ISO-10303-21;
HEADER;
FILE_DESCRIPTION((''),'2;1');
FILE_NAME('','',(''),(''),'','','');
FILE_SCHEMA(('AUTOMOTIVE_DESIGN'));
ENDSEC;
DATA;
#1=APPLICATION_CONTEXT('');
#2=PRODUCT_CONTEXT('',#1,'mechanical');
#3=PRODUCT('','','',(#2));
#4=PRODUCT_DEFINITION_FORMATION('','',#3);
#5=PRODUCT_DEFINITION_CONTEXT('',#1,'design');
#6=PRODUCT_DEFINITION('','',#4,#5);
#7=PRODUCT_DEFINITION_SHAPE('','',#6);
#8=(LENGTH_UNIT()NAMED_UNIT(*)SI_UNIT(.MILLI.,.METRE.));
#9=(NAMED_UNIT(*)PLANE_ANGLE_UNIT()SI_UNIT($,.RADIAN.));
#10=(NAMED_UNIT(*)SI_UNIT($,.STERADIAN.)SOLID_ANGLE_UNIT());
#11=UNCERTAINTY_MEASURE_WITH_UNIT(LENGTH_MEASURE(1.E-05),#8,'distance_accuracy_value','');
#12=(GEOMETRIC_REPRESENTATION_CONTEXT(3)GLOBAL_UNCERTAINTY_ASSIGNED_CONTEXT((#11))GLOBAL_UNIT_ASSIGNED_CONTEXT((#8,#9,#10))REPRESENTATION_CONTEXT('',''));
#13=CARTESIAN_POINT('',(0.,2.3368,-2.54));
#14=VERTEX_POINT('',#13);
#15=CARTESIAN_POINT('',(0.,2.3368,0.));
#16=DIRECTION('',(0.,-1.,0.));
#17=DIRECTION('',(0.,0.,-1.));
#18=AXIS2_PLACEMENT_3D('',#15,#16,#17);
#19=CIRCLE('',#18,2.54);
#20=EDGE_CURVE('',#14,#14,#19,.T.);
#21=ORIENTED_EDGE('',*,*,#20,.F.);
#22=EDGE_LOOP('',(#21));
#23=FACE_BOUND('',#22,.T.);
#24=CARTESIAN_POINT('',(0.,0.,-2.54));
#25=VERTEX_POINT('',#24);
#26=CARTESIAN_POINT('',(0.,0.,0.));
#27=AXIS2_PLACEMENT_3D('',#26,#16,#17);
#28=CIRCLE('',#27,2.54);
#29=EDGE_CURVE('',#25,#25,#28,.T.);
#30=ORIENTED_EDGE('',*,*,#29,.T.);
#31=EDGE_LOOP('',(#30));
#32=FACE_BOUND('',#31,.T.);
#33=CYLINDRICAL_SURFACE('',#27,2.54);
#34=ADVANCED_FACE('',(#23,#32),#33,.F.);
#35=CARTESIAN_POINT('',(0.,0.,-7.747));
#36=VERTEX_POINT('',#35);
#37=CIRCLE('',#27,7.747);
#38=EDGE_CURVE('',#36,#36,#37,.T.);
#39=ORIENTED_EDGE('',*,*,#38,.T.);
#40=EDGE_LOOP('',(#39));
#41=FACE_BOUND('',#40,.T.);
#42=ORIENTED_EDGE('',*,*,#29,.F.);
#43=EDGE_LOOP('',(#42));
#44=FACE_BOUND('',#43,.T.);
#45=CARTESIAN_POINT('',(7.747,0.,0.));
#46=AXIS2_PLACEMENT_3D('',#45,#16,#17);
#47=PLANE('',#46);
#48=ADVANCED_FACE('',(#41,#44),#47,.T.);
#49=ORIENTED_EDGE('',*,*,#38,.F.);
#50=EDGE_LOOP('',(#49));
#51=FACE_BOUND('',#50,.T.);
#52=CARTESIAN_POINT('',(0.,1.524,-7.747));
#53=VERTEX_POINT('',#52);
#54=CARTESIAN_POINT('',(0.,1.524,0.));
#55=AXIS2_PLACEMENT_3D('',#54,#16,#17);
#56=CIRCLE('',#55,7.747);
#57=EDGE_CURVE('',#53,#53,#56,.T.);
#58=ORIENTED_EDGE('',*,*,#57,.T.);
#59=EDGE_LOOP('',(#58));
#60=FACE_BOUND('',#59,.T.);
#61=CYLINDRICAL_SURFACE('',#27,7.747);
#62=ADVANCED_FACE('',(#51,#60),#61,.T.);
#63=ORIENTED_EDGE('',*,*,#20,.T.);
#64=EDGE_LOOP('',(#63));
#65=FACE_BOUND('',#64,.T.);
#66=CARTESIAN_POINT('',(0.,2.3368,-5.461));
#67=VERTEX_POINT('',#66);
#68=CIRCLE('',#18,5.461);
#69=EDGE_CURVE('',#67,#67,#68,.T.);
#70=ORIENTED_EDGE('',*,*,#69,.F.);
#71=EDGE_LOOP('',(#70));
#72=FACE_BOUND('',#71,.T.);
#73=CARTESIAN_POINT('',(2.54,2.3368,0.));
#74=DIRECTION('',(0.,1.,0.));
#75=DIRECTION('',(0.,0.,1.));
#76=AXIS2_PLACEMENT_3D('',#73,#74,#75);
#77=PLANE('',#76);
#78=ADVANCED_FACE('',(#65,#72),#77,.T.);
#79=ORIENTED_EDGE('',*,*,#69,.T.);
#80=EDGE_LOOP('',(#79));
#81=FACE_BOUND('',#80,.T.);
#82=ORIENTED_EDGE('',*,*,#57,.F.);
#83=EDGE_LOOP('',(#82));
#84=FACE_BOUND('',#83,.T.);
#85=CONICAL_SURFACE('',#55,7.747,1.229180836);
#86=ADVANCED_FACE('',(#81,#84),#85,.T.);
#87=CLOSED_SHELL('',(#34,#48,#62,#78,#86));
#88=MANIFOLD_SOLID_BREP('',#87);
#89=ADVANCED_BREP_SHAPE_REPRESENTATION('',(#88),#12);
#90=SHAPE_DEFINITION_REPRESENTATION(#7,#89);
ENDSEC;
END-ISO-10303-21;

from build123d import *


with BuildPart() as part:
    # Sketch1 → Revolve1 (revolve)
    with BuildSketch(Plane.XY, mode=Mode.PRIVATE) as revolve1_sk:
        Polygon((2.54, 0), (2.54, 2.3368), (5.461, 2.3368), (7.747, 1.524), (7.747, 0), align=None)
    revolve(revolve1_sk.sketch.rotate(Axis((0, 0, 0), (0, 1, 0)), 90), axis=Axis((0, 0, 0), (0, 1, 0)))


solid = part.part
